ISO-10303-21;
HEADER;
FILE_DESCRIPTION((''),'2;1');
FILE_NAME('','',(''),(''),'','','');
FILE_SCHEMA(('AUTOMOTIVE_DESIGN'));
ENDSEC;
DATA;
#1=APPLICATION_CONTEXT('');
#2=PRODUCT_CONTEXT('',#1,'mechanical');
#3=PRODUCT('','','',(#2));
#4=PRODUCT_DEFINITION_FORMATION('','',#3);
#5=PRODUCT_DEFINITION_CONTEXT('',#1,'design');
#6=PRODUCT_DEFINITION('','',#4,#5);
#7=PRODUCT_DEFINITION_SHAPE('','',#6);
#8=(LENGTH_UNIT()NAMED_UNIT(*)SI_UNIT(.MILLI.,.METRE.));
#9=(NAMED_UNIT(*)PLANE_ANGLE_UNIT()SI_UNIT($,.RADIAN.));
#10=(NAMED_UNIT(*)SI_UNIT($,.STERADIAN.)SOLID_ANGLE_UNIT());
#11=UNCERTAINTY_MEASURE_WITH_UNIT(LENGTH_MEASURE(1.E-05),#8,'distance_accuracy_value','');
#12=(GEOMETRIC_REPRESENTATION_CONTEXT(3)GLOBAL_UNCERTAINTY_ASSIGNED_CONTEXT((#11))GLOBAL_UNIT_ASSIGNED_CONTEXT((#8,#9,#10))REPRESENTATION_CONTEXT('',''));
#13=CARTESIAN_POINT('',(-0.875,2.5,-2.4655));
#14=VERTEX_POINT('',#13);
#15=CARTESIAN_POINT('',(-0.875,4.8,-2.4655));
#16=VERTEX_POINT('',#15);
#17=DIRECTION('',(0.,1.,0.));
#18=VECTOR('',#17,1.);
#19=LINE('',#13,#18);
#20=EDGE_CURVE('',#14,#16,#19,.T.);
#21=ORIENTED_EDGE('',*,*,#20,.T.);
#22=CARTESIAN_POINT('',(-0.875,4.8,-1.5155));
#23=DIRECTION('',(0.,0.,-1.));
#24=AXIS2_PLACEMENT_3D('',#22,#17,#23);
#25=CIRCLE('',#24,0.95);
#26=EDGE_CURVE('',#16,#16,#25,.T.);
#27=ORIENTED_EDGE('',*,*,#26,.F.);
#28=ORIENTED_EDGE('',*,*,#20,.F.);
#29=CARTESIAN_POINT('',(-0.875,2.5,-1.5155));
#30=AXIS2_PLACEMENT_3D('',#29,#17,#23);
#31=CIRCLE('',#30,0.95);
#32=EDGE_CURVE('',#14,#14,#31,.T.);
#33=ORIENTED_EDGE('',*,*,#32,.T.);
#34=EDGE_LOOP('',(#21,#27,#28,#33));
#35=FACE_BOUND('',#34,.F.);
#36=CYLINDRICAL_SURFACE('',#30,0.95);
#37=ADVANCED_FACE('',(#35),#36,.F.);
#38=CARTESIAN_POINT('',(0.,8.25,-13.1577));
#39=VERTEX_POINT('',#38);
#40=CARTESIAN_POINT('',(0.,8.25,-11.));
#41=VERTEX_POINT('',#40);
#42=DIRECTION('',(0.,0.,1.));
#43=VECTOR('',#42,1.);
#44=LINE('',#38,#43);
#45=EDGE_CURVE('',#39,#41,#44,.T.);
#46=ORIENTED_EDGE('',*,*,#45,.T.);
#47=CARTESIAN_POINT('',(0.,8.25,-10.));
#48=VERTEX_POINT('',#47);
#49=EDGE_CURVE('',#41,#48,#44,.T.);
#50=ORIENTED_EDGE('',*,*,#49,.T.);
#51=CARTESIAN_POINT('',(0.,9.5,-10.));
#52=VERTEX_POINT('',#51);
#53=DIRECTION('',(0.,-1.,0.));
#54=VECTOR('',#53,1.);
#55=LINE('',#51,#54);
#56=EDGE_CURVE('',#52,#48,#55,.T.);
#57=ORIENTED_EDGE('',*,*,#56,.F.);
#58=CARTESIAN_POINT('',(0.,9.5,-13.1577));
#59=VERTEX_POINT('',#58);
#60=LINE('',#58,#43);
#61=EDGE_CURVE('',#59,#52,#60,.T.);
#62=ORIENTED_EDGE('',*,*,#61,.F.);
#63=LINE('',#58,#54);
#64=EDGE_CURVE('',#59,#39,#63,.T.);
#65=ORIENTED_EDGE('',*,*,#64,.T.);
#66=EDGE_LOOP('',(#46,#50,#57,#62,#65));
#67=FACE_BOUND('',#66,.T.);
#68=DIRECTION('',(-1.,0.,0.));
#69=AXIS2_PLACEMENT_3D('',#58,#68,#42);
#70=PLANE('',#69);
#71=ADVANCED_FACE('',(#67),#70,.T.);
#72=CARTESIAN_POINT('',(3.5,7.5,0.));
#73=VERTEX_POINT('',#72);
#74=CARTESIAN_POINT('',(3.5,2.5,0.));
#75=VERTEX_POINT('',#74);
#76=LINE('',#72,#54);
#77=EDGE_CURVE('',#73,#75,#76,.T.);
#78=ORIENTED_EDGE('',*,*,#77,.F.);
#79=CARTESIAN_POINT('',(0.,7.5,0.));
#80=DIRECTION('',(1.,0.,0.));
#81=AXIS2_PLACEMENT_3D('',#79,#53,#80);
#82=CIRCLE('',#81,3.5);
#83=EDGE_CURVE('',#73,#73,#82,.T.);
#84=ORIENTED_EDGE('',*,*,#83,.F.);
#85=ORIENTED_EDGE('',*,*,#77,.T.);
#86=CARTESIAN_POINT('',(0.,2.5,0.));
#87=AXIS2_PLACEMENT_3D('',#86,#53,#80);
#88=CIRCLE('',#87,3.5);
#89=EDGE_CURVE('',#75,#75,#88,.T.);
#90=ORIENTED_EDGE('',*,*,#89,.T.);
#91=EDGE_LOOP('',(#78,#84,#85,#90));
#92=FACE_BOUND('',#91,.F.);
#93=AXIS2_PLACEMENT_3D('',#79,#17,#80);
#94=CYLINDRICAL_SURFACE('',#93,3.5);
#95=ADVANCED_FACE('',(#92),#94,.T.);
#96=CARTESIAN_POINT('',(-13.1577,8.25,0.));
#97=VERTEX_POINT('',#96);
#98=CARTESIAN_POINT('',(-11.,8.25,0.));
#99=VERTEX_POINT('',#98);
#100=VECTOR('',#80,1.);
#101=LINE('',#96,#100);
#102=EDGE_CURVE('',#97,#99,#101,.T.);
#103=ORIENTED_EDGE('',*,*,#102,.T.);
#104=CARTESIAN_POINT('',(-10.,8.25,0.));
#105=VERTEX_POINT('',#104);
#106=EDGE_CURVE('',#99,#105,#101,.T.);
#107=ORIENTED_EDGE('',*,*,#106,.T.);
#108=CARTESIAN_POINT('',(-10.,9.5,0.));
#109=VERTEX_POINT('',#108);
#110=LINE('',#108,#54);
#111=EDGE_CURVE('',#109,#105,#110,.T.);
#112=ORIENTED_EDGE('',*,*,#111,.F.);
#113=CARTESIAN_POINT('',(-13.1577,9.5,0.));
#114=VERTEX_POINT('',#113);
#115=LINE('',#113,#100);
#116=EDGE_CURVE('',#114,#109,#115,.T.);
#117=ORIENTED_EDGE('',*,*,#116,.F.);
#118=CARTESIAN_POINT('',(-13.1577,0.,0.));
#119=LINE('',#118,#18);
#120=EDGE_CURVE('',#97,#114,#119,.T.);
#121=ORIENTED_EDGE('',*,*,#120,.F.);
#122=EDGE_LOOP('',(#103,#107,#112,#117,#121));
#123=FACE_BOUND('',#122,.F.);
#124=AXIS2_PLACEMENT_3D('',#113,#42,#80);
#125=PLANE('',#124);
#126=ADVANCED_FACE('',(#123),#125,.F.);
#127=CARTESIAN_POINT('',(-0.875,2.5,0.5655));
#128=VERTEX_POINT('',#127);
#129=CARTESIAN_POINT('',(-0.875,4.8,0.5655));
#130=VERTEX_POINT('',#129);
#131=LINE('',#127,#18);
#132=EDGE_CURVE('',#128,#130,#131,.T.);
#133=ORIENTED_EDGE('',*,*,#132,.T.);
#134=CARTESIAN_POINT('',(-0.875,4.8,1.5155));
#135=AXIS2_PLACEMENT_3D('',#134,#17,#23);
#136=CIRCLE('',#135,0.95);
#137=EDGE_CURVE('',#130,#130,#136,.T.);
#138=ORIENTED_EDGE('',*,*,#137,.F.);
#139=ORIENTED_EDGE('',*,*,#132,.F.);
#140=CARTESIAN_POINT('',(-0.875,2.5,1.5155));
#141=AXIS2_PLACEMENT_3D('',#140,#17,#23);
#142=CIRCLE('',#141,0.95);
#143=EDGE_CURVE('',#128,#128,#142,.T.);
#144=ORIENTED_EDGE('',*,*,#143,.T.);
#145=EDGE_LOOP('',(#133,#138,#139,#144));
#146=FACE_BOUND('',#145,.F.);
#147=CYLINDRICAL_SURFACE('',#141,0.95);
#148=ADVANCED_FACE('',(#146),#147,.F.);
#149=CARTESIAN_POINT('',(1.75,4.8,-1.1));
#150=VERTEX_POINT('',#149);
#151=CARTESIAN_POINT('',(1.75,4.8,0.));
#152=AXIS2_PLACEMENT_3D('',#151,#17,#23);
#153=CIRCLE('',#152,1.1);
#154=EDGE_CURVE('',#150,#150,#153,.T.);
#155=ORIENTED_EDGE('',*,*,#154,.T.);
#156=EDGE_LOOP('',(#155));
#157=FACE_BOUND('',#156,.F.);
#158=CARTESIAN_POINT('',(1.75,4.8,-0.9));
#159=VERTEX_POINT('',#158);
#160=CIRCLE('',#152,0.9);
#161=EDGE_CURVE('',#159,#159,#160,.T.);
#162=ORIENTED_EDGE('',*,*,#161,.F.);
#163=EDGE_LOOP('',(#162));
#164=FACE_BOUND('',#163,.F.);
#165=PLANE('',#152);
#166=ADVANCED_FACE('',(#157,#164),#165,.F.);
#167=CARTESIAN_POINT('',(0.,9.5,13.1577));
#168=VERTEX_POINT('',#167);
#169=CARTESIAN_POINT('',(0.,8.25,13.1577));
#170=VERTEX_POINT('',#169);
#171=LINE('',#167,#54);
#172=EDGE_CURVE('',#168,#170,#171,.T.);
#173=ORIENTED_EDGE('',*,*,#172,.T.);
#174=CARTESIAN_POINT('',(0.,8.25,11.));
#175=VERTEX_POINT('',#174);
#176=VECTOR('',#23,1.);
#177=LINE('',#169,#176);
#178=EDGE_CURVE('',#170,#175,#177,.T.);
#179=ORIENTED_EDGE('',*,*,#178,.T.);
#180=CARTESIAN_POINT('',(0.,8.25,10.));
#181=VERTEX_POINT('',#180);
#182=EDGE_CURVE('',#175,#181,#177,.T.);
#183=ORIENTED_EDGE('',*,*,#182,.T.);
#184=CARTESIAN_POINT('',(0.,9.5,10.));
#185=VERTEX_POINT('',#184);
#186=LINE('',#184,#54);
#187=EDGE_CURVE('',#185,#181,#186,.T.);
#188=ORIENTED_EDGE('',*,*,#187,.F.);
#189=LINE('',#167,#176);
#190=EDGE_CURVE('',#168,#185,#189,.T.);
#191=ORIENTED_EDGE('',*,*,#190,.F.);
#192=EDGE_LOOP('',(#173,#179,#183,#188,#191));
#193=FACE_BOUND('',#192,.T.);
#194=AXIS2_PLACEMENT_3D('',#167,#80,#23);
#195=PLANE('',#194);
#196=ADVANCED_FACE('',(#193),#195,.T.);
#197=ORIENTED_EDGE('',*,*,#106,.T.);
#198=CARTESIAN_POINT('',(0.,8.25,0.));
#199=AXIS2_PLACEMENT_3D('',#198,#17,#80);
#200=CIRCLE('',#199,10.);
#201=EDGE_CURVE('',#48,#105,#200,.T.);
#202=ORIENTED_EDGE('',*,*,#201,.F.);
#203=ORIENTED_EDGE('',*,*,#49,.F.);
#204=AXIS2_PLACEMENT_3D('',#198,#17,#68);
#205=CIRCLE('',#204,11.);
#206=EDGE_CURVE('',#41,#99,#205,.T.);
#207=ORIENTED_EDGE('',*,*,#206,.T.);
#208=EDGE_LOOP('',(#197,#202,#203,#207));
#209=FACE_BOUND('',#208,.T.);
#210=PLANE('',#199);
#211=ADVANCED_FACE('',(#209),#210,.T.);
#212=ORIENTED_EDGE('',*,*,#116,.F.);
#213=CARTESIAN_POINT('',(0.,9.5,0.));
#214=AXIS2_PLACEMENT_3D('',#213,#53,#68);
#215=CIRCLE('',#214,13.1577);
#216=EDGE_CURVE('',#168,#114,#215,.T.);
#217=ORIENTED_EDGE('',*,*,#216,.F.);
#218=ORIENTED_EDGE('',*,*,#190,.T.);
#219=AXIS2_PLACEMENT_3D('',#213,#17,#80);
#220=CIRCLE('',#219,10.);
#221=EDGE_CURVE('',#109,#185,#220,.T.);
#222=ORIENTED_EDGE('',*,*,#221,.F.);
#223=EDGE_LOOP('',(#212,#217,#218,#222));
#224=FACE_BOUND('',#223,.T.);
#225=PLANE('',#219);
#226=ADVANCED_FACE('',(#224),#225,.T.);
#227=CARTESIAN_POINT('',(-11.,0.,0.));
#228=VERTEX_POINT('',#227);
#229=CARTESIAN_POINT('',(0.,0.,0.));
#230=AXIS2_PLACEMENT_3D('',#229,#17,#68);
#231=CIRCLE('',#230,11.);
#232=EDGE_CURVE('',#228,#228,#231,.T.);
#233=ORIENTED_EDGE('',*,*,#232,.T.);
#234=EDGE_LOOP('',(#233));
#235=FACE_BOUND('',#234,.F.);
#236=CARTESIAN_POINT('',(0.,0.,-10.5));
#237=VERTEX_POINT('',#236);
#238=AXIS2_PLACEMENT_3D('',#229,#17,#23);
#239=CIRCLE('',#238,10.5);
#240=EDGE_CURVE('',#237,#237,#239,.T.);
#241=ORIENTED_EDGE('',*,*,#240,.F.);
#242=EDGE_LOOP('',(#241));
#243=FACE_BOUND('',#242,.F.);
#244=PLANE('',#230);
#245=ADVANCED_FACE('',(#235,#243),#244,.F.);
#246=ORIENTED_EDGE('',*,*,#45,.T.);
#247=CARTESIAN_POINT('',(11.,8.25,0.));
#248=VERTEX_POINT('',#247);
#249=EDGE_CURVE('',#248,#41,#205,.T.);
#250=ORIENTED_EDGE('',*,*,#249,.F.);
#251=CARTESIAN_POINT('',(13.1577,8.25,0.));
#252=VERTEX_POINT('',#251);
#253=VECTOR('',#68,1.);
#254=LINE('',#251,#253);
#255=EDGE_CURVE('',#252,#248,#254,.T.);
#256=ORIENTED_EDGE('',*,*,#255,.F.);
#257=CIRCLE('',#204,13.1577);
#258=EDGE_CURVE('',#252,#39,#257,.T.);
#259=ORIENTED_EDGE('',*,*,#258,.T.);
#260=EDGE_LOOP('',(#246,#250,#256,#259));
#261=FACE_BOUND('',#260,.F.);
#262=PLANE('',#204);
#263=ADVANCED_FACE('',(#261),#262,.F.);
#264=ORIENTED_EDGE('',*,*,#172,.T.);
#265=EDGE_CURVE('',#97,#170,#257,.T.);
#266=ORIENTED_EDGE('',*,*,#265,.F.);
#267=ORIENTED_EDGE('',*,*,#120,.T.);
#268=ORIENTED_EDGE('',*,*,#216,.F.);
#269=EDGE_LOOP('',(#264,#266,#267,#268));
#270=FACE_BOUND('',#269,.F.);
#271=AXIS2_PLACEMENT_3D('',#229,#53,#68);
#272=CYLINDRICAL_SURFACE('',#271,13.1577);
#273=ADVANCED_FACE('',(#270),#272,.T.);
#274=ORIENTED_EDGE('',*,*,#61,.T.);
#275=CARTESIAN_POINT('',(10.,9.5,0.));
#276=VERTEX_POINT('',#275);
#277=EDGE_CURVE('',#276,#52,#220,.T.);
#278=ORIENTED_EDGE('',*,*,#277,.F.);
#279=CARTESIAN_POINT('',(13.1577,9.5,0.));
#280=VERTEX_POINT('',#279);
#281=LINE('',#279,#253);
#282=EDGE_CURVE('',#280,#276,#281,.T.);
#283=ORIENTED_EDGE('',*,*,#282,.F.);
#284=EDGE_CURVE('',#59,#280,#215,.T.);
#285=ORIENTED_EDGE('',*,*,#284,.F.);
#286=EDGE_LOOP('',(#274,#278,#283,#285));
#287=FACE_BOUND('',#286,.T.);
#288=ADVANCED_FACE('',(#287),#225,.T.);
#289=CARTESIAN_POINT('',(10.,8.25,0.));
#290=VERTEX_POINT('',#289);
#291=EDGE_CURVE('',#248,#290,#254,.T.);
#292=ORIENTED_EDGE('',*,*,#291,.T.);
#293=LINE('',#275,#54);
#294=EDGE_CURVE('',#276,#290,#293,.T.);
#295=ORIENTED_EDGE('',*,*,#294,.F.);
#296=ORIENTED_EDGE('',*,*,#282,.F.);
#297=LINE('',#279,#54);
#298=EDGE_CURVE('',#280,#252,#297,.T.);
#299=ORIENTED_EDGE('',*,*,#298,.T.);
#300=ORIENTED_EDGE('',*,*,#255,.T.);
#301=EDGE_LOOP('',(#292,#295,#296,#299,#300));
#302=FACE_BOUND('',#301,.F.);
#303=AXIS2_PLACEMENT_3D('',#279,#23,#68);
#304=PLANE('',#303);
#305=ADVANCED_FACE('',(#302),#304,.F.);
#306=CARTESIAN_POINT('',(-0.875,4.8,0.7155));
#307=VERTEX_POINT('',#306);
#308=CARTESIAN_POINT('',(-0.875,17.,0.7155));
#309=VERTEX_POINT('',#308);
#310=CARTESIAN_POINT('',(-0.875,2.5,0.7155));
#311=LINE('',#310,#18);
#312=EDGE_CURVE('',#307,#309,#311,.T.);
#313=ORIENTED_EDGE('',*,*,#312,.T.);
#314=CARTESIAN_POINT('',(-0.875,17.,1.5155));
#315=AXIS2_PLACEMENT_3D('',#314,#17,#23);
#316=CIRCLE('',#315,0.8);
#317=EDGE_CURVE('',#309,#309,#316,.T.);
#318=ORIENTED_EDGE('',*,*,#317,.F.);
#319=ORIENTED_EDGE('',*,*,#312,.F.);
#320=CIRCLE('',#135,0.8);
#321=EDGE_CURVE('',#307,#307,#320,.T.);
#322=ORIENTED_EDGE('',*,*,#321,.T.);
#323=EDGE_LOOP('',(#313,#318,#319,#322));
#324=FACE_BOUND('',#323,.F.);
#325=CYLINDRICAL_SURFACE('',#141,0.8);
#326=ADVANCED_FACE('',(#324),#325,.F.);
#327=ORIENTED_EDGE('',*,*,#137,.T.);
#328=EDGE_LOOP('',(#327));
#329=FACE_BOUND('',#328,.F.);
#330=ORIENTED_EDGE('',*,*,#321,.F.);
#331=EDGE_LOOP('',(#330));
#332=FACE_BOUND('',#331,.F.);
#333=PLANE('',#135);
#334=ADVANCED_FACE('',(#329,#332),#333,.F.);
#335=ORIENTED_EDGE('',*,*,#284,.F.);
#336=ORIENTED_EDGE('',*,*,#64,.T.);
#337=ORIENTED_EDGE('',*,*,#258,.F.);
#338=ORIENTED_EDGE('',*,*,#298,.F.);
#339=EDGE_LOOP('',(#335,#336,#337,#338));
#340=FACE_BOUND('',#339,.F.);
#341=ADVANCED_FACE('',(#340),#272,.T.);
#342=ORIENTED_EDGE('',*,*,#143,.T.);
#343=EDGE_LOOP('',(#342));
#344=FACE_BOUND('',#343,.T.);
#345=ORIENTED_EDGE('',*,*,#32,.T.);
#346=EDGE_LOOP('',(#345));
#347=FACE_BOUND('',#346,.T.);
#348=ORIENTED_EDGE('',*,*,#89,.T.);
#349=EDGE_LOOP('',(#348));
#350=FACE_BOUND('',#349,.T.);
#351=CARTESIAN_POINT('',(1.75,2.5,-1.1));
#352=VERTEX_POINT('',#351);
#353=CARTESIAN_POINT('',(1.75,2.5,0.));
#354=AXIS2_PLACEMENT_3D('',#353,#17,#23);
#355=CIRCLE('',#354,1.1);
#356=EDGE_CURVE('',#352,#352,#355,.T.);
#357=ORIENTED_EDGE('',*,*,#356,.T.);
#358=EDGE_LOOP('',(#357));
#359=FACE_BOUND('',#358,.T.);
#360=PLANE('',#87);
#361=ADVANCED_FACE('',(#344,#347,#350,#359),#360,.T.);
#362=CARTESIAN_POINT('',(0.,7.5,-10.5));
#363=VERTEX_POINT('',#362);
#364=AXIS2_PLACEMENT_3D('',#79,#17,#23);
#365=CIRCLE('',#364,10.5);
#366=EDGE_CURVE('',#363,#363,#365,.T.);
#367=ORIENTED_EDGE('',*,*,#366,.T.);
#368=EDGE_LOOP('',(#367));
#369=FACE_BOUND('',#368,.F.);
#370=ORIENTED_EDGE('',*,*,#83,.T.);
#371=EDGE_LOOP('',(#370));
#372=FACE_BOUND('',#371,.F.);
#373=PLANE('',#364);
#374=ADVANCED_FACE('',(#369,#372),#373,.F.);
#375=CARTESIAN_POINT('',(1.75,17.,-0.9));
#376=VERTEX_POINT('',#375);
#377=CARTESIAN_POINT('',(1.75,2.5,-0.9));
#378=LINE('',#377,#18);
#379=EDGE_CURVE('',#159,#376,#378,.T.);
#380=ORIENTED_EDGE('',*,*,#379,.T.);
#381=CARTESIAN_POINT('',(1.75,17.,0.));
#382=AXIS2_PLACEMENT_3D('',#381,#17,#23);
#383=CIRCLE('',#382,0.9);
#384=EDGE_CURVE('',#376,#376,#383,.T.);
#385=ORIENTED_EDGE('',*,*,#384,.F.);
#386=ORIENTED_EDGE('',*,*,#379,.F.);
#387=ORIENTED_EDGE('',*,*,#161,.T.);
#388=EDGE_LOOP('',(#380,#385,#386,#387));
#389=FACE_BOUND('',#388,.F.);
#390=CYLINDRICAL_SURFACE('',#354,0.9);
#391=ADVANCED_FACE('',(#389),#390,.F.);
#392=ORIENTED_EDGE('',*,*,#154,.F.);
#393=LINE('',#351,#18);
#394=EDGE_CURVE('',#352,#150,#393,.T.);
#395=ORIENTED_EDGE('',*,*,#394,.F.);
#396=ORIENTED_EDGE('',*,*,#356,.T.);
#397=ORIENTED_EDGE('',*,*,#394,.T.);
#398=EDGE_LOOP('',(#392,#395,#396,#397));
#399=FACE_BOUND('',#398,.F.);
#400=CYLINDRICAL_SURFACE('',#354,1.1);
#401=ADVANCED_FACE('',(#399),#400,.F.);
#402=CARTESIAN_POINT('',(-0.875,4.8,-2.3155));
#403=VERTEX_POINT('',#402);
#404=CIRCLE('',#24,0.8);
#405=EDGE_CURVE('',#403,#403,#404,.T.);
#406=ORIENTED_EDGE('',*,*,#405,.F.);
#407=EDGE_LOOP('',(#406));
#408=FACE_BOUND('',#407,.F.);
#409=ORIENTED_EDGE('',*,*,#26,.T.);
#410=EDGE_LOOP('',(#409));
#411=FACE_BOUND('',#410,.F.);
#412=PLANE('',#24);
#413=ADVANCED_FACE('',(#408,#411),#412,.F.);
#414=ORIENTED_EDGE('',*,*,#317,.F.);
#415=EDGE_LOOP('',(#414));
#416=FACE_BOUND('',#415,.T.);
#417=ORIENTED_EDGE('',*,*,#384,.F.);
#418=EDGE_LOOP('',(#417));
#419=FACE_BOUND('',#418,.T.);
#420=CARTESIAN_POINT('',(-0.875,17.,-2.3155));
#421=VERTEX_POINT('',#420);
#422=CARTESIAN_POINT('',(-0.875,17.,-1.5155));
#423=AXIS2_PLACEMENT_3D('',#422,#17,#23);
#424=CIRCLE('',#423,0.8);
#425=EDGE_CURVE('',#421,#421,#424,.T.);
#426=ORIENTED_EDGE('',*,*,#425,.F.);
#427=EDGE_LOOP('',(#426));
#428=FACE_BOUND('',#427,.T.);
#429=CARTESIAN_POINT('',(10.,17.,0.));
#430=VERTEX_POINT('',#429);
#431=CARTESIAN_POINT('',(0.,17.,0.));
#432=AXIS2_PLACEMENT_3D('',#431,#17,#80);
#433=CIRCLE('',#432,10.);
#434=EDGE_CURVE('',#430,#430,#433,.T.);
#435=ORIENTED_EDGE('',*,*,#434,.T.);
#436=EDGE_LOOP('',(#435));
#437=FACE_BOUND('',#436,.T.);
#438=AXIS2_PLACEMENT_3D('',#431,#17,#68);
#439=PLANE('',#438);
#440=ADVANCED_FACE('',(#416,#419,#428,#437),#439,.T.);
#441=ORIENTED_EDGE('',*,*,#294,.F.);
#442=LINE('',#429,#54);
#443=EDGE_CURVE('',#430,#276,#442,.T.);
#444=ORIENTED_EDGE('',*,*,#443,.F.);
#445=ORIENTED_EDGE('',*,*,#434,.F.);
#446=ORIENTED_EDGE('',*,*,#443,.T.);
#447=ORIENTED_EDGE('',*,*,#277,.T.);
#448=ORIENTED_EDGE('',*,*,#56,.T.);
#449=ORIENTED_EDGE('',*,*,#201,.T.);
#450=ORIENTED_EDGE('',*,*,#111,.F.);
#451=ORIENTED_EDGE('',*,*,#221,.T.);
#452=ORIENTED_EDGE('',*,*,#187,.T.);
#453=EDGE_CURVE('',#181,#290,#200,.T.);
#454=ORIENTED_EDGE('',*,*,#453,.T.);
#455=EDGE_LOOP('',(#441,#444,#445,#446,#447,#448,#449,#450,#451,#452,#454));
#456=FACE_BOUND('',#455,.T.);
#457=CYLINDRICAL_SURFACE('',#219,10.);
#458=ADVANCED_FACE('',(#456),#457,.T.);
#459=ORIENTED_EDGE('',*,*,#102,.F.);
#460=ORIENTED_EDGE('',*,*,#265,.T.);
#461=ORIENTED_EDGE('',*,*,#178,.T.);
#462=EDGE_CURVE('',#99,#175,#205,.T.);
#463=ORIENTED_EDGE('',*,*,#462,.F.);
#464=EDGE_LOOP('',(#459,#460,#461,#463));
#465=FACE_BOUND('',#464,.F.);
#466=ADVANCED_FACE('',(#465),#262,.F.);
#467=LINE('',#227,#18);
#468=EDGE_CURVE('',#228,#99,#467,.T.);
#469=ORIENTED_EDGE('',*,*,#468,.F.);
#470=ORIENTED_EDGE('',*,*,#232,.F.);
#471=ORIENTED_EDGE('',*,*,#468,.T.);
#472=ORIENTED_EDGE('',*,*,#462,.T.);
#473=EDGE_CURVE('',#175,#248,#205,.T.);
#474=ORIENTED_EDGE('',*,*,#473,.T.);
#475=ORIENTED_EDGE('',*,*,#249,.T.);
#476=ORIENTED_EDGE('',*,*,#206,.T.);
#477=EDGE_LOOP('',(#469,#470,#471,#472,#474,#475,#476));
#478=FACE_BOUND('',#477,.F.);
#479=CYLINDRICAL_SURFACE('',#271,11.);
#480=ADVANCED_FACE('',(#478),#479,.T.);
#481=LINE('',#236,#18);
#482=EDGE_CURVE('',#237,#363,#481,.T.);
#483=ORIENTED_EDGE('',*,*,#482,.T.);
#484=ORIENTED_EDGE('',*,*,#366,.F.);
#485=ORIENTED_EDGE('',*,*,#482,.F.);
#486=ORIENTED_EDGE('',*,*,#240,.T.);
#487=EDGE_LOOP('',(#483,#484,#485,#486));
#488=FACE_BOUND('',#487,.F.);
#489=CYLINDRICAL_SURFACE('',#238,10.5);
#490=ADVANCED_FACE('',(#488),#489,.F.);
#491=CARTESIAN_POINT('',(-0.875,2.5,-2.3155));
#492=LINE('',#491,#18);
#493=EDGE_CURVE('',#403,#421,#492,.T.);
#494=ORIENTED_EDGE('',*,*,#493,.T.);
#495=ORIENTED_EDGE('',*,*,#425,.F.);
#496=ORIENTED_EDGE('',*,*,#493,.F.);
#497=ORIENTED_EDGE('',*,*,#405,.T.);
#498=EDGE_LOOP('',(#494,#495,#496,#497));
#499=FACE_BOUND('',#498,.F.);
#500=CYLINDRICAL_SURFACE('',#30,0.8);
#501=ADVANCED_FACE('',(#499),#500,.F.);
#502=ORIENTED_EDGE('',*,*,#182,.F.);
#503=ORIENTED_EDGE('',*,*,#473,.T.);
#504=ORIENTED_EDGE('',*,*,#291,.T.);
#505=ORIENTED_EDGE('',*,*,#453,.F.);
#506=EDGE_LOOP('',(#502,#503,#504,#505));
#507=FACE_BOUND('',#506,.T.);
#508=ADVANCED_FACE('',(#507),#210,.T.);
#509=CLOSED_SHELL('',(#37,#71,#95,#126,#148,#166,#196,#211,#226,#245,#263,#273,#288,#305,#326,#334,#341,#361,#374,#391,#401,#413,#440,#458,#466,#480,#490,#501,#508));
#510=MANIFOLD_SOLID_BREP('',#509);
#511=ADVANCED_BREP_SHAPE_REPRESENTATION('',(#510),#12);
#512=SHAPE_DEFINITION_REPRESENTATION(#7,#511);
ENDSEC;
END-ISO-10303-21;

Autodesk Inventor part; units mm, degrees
ref_plane "YZ Plane" through (0, 0, 0) normal (1, 0, 0) x (0, 1, 0)
ref_plane "XZ Plane" through (0, 0, 0) normal (0, 1, 0) x (-1, 0, 0)
ref_plane "XY Plane" through (0, 0, 0) normal (0, 0, 1) x (1, 0, 0)
sketch "Sketch1" plane through (0, 0, 0) normal (0, 1, 0) x (-1, 0, 0)
  circle A0 centre (0, 0) radius 11
  circle A1 centre (0, 0) radius 13.1577
  dimension "d0" = 22
  dimension "d40" = 26.3154
extrude "Extrusion1" add sketch "Sketch1" along normal blind 17 contours A0
hole "Hole1" at (0, 0, 0) direction (0, 1, 0) diameter 21 depth 7.5
ref_plane "Work Plane1" through (0, 12.25, 0) normal (0, -1, 0) x (1, 0, 0)
sketch "Sketch2" plane through (0, 7.5, 0) normal (0, -1, 0) x (1, 0, 0)
  circle A0 centre (0, 0) radius 3.5
  line L0 (0, 0) -> (2, 0) construction
  line L1 (0, 0) -> (2, 0) construction
  dimension "d10" = 7
extrude "Extrusion2" add sketch "Sketch2" along normal blind 5
sketch "Sketch3" plane through (0, 2.5, 0) normal (0, -1, 0) x (1, 0, 0)
  line L0 (0, 0) -> (-0.875, -1.5155)
  line L1 (0, 0) -> (1.75, 0) construction
  line L2 (0, 0) -> (-0.875, 1.5155)
  dimension "d19" = 1.75
  dimension "d20" = 120
  dimension "d21" = 1.75
hole "Hole2" at (-0.875, 2.5, -1.5155) at (-0.875, 2.5, 1.5155) direction (0, 1, 0) diameter 1.6 depth 24
hole "Hole3" at (1.75, 2.5, 0) direction (0, 1, 0) diameter 1.8 depth 23.25
ref_plane "Work Plane2" through (0, 12.25, 0) normal (0, 1, 0) x (1, 0, 0)
extrude "Extrusion3" add sketch "Sketch1" along normal blind 17
extrude "Extrusion4" cut sketch "Sketch1" along normal blind 8.25
sketch "Sketch4" plane through (0, 17, 0) normal (0, 1, 0) x (1, 0, 0)
  circle A0 centre (0, 0) radius 13.1577
  circle A1 centre (0, 0) radius 10
extrude "Extrusion5" cut sketch "Sketch4" against normal blind 7.5
sketch "Sketch5" plane through (0, 9.5, 0) normal (0, 1, 0) x (1, 0, 0)
  circle A0 centre (0, 0) radius 13.1577 projected
  arc A1 (0, -13.1577) -> (13.1577, 0) centre (0, 0) ccw
  line L0 (13.1577, 0) -> (10, 0)
  circle A2 centre (0, 0) radius 10 projected
  arc A3 (0, 13.1577) -> (-13.1577, 0) centre (0, 0) ccw
  line L1 (-13.1577, 0) -> (-10, 0)
  line L2 (0, 13.1577) -> (0, 10)
  arc A4 (0, -10) -> (10, 0) centre (0, 0) ccw
  arc A5 (0, 10) -> (-10, 0) centre (0, 0) ccw
  line L3 (0, -13.1577) -> (0, -10)
extrude "Extrusion6" cut sketch "Sketch5" against normal blind 1.25 contours A0 L3 A2 L0 | L2 A2 L1 A0
hole "Hole4" at (1.75, 2.5, 0) direction (0, 1, 0) diameter 2.2 depth 2.3
hole "Hole5" at (-0.875, 2.5, 1.5155) at (-0.875, 2.5, -1.5155) direction (0, 1, 0) diameter 1.9 depth 2.3
properties part number "cap"
